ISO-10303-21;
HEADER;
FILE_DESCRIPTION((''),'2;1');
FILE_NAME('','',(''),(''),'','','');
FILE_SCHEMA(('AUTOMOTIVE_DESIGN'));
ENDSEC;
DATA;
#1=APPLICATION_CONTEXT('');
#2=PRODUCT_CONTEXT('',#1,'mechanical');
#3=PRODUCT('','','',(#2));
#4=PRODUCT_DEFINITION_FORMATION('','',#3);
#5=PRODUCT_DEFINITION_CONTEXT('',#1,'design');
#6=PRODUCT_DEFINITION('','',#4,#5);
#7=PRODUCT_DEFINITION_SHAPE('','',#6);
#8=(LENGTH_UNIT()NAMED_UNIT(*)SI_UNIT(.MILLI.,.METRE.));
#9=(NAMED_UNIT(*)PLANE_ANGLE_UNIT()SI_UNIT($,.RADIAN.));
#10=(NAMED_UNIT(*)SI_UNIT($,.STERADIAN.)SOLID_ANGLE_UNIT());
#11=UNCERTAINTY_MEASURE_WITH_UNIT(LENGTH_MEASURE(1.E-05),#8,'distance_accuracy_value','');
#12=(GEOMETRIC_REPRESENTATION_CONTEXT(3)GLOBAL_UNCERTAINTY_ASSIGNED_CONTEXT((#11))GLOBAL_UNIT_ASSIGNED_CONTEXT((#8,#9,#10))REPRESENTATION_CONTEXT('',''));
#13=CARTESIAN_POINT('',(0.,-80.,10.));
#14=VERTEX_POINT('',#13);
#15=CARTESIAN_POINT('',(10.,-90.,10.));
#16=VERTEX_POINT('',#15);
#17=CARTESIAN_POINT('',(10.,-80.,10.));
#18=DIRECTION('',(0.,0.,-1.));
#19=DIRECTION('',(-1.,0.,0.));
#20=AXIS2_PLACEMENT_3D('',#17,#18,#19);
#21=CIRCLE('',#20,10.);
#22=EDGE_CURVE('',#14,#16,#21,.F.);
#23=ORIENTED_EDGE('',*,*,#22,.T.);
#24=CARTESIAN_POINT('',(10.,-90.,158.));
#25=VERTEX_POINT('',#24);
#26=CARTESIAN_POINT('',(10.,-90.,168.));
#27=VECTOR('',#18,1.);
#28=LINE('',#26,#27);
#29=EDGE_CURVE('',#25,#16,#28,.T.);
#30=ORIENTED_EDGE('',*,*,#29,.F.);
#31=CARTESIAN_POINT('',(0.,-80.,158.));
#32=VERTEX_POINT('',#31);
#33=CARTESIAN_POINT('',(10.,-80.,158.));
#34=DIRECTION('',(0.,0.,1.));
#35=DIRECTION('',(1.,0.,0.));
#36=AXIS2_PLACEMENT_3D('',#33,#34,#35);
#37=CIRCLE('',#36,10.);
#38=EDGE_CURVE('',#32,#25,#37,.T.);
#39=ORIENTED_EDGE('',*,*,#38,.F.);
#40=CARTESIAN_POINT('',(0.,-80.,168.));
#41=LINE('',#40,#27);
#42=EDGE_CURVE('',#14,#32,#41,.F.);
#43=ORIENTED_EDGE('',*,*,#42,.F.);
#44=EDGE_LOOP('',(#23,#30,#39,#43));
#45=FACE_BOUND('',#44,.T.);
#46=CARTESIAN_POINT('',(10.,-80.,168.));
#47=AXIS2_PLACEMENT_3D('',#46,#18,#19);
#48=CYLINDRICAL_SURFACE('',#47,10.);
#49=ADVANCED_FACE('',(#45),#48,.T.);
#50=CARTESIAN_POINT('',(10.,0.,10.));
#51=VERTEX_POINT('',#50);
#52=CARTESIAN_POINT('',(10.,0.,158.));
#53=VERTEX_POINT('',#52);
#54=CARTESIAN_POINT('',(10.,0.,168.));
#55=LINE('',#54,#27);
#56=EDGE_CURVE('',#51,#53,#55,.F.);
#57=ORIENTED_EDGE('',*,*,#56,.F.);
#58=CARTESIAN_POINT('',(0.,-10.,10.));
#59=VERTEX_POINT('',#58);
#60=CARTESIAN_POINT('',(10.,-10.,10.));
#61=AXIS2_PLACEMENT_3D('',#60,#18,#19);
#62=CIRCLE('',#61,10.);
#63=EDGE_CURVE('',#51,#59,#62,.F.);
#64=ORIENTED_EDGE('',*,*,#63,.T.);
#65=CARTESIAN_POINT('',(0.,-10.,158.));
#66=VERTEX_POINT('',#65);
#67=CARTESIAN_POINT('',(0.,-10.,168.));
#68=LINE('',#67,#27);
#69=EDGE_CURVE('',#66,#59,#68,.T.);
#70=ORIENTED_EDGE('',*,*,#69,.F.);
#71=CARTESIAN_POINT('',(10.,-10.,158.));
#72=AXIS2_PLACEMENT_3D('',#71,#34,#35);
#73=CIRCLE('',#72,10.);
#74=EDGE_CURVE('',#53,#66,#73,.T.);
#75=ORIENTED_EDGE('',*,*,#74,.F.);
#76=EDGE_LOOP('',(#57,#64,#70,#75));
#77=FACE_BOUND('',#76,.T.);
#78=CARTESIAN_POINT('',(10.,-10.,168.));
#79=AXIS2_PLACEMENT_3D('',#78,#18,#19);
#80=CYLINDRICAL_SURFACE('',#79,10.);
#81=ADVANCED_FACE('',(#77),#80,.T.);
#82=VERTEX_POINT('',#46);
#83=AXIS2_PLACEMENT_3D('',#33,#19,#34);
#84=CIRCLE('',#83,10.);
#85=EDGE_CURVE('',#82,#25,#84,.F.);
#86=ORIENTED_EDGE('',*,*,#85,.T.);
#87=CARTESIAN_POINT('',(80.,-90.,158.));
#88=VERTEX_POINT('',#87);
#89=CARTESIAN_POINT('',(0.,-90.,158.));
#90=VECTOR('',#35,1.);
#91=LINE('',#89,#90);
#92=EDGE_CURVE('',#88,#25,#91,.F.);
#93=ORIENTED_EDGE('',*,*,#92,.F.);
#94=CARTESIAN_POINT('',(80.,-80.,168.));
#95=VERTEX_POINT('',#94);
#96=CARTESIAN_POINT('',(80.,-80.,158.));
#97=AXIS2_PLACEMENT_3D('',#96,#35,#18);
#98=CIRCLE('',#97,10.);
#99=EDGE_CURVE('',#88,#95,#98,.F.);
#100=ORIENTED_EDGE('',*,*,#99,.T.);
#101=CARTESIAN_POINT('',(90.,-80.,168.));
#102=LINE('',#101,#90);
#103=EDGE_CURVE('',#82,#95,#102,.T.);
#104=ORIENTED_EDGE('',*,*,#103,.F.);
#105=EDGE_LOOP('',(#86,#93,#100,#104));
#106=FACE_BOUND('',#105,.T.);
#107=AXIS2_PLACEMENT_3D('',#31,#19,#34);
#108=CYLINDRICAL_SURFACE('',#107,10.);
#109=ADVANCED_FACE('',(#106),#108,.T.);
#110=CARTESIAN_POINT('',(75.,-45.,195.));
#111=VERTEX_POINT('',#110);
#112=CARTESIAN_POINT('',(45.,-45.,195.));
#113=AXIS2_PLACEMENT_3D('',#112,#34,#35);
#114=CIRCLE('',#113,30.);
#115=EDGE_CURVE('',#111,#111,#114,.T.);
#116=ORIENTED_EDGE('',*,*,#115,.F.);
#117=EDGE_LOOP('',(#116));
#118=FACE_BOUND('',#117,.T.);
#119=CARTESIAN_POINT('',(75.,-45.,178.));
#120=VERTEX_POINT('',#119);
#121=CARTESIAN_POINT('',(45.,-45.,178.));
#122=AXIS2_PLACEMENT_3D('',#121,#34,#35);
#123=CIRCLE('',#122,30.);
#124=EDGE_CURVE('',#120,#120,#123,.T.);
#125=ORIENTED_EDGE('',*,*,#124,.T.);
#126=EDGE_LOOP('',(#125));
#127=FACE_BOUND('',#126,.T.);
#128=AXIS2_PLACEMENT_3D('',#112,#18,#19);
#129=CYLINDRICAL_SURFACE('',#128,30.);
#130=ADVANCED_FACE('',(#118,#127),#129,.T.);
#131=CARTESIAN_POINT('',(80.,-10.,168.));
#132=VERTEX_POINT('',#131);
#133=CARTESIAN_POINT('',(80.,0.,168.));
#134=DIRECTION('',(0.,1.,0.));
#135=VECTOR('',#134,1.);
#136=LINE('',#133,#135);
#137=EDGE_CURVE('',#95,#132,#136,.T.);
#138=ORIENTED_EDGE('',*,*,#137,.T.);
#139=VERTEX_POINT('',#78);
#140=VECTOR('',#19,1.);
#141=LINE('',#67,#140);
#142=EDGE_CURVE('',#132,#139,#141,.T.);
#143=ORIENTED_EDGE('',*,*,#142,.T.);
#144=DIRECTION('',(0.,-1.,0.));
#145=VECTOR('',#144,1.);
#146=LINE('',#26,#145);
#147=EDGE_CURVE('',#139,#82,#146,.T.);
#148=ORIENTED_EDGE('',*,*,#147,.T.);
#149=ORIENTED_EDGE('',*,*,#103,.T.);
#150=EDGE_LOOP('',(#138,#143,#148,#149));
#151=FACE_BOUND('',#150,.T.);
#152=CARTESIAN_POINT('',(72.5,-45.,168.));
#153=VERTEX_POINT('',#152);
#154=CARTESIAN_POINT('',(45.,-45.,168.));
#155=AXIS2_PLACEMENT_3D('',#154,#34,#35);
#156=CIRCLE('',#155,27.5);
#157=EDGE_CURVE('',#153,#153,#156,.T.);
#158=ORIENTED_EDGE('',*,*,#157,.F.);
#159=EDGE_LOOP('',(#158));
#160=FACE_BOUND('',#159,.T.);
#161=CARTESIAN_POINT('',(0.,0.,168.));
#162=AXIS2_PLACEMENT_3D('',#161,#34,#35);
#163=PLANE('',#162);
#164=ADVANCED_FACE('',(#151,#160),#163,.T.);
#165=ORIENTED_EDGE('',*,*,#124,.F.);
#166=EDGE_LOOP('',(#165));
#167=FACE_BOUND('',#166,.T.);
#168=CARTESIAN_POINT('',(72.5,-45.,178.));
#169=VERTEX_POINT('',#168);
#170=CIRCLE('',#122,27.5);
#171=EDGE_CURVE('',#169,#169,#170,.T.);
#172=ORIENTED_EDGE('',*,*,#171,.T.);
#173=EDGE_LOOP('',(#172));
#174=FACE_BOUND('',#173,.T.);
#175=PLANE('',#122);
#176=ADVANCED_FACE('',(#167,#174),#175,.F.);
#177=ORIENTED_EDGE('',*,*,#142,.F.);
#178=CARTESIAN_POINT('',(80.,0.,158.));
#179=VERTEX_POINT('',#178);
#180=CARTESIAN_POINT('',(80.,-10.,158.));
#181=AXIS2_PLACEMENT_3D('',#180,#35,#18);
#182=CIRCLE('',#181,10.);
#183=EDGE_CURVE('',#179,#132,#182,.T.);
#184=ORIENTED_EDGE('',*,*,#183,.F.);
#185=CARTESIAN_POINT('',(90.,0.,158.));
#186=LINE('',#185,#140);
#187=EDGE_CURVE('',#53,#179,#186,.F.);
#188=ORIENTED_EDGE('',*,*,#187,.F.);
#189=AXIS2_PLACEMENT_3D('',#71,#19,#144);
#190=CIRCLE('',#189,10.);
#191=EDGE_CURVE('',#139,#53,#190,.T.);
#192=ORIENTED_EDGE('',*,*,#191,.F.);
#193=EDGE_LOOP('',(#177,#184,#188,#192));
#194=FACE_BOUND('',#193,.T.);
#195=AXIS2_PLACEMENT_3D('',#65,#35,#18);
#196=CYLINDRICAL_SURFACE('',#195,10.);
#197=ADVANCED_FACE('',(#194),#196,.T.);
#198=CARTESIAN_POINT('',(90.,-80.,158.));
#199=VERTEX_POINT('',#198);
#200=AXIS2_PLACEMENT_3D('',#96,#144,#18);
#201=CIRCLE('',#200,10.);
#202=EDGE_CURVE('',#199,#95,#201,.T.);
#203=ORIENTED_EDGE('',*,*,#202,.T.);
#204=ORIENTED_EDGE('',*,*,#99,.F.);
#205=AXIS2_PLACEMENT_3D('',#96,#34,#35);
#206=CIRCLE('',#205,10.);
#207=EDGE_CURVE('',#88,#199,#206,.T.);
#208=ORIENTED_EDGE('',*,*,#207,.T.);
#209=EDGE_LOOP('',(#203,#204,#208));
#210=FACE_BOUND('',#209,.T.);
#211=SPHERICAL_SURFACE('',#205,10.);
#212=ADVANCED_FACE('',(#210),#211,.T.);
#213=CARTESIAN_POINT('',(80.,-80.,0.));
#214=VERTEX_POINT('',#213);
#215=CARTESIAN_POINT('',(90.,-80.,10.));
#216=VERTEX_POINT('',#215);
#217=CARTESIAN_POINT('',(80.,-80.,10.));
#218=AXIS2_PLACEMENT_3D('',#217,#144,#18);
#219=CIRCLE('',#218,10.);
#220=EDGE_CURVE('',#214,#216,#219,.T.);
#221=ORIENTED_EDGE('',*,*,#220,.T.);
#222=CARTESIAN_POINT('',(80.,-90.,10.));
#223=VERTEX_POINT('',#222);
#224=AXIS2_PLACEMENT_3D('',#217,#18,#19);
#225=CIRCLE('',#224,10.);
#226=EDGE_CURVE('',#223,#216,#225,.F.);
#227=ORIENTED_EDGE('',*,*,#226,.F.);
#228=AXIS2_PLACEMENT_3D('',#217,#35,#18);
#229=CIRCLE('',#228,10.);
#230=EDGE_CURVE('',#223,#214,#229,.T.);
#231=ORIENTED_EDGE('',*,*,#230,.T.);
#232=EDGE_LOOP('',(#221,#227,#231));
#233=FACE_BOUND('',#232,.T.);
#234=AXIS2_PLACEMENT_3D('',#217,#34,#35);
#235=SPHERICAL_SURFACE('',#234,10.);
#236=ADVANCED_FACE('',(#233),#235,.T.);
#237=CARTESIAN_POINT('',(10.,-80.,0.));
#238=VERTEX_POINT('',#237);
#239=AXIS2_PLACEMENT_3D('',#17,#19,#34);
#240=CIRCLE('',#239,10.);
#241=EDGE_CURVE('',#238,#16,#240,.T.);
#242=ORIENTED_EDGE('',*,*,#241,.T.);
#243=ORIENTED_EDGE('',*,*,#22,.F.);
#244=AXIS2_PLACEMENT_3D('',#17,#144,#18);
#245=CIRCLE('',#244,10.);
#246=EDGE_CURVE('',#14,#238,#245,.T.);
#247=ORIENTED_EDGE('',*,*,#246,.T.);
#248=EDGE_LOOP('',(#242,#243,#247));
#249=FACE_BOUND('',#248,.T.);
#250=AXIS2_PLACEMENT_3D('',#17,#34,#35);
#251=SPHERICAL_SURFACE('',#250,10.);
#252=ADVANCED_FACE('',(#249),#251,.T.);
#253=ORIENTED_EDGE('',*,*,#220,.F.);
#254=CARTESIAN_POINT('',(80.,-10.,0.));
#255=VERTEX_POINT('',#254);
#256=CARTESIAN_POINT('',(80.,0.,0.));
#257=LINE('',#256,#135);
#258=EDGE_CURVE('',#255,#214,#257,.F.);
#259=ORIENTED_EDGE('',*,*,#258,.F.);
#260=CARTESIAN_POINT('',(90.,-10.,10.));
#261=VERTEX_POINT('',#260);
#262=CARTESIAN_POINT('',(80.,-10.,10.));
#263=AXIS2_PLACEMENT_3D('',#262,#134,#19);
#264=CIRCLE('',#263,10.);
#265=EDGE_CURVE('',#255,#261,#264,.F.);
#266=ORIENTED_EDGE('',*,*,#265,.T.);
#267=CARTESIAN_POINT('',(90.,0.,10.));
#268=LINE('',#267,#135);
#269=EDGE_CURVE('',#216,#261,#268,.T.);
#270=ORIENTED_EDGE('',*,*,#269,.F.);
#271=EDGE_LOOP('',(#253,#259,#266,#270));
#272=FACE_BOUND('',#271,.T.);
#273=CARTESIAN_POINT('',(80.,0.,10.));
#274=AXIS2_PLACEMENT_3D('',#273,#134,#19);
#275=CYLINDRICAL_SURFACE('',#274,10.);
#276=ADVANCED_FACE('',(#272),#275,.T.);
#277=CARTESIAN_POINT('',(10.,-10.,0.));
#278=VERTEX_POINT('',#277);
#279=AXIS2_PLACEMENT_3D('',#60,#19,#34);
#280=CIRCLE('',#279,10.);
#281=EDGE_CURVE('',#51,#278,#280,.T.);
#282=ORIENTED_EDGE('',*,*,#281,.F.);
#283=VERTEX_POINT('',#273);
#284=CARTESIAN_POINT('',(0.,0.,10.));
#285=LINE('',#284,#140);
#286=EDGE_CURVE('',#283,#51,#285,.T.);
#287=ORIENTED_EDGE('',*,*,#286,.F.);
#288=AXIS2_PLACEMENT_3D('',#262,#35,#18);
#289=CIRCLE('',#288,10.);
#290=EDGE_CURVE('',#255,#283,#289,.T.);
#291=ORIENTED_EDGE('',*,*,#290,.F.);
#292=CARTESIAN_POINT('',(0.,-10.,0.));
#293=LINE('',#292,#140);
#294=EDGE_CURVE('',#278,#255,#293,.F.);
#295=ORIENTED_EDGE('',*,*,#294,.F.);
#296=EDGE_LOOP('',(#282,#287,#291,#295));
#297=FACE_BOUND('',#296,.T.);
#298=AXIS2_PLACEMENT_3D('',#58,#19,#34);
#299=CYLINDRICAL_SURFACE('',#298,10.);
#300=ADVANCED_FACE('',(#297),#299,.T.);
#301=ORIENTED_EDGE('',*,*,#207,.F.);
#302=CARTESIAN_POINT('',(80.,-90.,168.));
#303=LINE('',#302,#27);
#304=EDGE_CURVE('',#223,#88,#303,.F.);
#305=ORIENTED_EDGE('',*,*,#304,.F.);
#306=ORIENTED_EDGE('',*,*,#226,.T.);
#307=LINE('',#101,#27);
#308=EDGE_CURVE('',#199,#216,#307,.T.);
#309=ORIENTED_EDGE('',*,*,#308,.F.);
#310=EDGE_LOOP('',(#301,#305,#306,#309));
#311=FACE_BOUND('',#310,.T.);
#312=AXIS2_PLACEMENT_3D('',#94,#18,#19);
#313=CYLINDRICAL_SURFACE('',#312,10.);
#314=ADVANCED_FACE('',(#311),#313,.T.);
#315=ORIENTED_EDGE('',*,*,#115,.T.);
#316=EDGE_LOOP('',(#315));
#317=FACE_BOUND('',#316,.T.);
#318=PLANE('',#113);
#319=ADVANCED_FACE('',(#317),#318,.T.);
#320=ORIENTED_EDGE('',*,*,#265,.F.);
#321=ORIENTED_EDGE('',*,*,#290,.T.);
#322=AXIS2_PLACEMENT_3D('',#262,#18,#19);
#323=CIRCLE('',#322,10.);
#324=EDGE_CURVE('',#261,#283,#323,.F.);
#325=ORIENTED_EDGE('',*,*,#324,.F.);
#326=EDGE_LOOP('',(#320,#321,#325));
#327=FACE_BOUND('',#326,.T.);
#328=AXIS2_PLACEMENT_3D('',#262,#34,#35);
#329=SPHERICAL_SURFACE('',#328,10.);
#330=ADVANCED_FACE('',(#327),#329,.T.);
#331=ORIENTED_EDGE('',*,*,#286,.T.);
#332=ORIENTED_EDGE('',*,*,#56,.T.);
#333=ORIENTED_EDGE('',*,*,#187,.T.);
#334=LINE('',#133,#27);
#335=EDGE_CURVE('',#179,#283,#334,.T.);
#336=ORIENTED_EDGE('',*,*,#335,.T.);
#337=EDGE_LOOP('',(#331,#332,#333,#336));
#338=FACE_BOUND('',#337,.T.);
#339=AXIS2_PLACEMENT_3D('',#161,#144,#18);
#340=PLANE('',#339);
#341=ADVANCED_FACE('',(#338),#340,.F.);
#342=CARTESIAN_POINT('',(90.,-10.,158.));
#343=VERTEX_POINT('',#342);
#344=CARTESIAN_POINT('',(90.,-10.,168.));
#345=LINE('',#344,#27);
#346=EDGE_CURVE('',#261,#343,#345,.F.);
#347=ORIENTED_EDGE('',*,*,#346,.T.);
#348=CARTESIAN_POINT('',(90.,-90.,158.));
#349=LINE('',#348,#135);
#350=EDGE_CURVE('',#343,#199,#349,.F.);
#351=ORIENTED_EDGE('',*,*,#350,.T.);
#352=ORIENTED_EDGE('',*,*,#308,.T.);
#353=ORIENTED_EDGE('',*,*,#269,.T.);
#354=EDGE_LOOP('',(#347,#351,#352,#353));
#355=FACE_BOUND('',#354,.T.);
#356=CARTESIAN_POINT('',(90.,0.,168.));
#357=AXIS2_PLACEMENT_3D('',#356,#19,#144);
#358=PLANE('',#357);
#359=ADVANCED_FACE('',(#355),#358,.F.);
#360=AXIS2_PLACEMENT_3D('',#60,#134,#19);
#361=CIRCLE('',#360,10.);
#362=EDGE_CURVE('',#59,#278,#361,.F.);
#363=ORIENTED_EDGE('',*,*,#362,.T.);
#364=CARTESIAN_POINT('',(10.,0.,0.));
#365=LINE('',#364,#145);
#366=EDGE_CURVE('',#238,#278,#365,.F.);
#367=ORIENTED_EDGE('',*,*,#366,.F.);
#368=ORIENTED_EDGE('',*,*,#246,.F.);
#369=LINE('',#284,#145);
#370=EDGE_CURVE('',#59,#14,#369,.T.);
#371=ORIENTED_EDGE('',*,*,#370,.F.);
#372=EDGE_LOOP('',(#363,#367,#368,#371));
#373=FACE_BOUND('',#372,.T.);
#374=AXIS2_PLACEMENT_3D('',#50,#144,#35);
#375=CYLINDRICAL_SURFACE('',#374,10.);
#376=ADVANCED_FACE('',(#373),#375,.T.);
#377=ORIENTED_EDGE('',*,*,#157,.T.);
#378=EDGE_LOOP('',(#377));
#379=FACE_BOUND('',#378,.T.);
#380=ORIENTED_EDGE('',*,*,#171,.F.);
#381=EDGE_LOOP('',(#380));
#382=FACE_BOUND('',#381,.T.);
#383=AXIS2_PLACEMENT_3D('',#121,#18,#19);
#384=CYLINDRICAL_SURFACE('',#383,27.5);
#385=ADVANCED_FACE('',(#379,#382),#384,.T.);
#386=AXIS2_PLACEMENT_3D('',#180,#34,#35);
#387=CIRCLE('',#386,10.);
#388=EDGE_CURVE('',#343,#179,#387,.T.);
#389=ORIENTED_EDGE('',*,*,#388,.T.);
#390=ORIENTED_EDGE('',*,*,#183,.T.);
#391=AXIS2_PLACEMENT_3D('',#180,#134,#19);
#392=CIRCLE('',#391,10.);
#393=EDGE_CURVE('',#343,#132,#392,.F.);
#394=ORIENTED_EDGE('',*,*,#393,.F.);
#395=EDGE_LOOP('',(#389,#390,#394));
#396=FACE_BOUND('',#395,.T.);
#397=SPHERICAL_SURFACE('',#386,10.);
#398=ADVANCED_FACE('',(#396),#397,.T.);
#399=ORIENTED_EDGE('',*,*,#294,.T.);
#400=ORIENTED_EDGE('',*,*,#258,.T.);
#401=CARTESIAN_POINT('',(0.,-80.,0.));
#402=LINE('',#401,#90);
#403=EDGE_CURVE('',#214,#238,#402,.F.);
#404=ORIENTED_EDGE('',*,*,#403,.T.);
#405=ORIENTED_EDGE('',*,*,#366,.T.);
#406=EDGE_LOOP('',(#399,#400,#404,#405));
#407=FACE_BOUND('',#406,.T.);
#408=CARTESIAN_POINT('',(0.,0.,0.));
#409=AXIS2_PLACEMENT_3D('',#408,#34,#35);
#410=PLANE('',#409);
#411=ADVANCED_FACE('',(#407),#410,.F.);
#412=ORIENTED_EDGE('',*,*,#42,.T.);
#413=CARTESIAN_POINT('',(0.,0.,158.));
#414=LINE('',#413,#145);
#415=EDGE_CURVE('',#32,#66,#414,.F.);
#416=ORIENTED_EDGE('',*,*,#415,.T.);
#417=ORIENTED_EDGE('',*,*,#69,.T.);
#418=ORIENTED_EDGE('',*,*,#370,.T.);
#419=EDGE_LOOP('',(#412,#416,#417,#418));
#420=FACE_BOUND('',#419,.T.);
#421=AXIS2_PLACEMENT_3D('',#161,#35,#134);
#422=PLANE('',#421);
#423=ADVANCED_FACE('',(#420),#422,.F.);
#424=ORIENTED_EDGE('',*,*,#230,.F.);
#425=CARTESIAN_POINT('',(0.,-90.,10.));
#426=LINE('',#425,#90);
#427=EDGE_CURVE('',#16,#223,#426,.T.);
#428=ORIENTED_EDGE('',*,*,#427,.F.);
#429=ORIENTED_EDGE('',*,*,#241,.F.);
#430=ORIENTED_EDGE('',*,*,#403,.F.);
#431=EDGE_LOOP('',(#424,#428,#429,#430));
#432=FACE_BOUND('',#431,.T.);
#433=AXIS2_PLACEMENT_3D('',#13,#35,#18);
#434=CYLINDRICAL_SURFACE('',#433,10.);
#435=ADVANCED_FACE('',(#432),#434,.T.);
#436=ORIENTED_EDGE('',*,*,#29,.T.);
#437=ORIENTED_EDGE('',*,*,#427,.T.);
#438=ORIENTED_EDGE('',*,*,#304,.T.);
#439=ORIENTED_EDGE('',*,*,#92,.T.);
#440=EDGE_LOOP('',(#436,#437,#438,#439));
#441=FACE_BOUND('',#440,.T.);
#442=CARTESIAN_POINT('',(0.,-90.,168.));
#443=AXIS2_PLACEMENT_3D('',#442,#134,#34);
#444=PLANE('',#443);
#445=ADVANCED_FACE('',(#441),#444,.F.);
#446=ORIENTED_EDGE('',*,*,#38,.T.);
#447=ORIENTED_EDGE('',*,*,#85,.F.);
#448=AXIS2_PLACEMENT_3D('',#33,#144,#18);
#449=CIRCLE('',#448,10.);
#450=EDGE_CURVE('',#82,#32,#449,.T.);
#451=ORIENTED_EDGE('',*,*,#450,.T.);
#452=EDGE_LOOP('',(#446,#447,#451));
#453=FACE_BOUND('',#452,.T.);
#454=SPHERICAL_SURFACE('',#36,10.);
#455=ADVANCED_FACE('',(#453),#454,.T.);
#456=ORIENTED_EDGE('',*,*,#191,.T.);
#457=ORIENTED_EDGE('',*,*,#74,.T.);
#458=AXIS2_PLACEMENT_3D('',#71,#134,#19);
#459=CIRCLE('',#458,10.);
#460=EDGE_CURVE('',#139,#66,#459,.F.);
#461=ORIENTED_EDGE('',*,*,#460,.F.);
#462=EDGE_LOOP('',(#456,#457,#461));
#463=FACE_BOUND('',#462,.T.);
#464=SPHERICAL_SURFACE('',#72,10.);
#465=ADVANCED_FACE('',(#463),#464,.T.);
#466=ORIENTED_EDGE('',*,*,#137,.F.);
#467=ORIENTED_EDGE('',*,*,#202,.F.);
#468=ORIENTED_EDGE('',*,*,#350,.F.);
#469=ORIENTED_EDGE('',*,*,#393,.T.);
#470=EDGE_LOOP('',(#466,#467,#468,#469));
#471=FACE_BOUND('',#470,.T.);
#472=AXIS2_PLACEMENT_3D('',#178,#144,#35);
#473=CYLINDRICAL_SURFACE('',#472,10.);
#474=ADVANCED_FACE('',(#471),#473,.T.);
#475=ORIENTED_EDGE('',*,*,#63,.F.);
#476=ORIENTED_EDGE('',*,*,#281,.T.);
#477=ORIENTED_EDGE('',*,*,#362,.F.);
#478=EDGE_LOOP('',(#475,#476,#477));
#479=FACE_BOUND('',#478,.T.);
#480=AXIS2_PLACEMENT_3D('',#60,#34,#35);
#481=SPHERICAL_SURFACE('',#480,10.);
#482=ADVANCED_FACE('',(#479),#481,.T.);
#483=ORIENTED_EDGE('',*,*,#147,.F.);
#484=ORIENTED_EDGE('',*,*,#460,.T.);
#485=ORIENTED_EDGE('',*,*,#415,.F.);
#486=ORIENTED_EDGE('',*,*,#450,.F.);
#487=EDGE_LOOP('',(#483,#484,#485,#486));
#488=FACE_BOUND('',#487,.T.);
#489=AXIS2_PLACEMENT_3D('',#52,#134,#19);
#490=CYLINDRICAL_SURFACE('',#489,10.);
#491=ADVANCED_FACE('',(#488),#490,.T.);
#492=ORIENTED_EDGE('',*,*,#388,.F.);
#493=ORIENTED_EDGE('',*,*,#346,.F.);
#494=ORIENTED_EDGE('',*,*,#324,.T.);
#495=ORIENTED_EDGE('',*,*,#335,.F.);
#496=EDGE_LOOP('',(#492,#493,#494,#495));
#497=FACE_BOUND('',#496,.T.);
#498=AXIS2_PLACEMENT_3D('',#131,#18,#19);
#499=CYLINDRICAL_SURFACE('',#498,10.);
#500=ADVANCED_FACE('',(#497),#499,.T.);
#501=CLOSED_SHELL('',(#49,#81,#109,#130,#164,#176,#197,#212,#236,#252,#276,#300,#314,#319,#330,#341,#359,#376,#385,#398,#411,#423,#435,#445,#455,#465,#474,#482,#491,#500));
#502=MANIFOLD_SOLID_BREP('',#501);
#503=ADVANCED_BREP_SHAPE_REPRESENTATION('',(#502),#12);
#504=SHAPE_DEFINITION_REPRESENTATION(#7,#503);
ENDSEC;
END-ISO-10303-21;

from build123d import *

# Parameters (mm, degrees)
SKETCH_1_W      = 90
SKETCH_1_H      = 90
EXTRUDE_1_DEPTH = 168
FILLET_1_R      = 10
SKETCH_2_R      = 27.5
EXTRUDE_2_DEPTH = 10
SKETCH_3_R      = 30
EXTRUDE_3_DEPTH = 17


with BuildPart() as part:
    # 스케치1 → 보스-돌출1 (new body)
    with BuildSketch(Plane.XY):
        with Locations((45, -45)):
            Rectangle(SKETCH_1_W, SKETCH_1_H)
    extrude(amount=EXTRUDE_1_DEPTH)

    # 필렛1
    fillet_1_edges = [part.edges().sort_by_distance(p)[0] for p in [
        (90, -45, 168),
        (45, 0, 168),
        (0, -45, 168),
        (45, 0, 0),
        (90, -45, 0),
        (45, -90, 0),
        (0, -45, 0),
        (45, -90, 168),
        (0, 0, 84),
        (90, 0, 84),
        (90, -90, 84),
        (0, -90, 84),
    ]]
    fillet(fillet_1_edges, radius=FILLET_1_R)

    # 스케치2 → 보스-돌출2 (add)
    with BuildSketch(Plane.XY.offset(168)):
        with Locations((45, -45)):
            Circle(SKETCH_2_R)
    extrude(amount=EXTRUDE_2_DEPTH)

    # 스케치3 → 보스-돌출3 (add)
    with BuildSketch(Plane.XY.offset(178)):
        with Locations((45, -45)):
            Circle(SKETCH_3_R)
    extrude(amount=EXTRUDE_3_DEPTH)


solid = part.part
